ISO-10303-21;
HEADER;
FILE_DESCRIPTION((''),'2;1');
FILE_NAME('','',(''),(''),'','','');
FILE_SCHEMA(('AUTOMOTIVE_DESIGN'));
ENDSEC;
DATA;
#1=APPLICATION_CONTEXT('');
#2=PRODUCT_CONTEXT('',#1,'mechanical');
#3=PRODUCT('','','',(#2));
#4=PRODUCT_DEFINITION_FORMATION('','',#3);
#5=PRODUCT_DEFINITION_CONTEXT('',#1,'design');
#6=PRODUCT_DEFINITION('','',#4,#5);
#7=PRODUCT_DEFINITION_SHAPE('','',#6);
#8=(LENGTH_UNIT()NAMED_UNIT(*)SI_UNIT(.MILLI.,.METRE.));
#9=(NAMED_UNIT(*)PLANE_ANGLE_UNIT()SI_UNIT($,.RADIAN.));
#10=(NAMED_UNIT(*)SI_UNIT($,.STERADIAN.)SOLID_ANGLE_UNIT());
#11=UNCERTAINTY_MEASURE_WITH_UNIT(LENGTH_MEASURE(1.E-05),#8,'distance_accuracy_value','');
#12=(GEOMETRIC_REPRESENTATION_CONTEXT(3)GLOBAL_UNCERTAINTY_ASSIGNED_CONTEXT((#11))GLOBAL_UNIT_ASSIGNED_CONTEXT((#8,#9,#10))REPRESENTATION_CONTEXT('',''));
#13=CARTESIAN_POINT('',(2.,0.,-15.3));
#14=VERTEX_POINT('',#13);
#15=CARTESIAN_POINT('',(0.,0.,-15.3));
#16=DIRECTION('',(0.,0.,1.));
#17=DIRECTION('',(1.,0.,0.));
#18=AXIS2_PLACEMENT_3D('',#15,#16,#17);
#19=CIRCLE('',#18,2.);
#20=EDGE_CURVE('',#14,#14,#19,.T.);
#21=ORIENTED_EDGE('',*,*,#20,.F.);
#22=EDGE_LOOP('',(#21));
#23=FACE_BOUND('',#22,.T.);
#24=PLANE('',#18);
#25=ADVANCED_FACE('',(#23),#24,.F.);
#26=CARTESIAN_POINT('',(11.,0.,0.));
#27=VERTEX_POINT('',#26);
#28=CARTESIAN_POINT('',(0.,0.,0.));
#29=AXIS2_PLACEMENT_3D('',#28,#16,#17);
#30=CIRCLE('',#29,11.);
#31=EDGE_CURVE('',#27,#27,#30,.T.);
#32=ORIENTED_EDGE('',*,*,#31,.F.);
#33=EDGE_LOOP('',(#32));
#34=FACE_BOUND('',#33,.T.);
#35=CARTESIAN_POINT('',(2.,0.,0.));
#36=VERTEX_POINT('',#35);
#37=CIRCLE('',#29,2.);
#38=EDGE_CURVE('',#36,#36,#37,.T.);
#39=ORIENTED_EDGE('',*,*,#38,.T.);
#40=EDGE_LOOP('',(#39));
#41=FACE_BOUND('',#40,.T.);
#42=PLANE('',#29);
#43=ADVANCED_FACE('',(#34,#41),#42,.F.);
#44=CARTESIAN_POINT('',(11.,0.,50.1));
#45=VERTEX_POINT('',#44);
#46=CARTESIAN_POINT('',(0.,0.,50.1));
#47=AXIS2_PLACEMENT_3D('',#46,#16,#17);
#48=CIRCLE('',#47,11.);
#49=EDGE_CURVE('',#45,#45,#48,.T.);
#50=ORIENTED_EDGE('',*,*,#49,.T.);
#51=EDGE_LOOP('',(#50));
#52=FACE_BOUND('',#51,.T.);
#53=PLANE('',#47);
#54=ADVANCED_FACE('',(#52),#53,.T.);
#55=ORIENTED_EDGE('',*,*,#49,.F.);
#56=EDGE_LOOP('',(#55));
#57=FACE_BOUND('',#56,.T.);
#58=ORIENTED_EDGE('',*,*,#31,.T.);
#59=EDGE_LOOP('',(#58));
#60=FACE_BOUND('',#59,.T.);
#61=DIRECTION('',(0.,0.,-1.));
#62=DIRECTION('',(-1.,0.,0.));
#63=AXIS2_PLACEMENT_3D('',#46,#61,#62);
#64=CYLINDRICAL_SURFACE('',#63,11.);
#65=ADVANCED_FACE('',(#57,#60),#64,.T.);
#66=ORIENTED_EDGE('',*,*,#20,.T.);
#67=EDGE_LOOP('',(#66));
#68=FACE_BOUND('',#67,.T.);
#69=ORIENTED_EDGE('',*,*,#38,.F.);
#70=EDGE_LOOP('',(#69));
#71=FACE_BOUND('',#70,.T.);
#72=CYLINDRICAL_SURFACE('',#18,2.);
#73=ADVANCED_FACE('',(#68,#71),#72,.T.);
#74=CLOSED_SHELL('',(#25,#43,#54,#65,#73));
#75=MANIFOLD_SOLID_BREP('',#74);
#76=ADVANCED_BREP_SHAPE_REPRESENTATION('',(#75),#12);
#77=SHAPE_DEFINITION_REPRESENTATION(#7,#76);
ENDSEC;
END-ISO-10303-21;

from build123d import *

# Parameters (mm, degrees)
SKETCH1_R           = 11
BOSS_EXTRUDE4_DEPTH = 50.1
SKETCH1_6_R         = 2
BOSS_EXTRUDE5_DEPTH = 15.3


with BuildPart() as part:
    # Sketch1 → Boss-Extrude4 (new body)
    with BuildSketch(Plane.XY):
        Circle(SKETCH1_R)
    extrude(amount=BOSS_EXTRUDE4_DEPTH)

    # Sketch1<6> → Boss-Extrude5 (add)
    with BuildSketch(Plane.XY):
        Circle(SKETCH1_6_R)
    extrude(amount=-BOSS_EXTRUDE5_DEPTH)


solid = part.part
